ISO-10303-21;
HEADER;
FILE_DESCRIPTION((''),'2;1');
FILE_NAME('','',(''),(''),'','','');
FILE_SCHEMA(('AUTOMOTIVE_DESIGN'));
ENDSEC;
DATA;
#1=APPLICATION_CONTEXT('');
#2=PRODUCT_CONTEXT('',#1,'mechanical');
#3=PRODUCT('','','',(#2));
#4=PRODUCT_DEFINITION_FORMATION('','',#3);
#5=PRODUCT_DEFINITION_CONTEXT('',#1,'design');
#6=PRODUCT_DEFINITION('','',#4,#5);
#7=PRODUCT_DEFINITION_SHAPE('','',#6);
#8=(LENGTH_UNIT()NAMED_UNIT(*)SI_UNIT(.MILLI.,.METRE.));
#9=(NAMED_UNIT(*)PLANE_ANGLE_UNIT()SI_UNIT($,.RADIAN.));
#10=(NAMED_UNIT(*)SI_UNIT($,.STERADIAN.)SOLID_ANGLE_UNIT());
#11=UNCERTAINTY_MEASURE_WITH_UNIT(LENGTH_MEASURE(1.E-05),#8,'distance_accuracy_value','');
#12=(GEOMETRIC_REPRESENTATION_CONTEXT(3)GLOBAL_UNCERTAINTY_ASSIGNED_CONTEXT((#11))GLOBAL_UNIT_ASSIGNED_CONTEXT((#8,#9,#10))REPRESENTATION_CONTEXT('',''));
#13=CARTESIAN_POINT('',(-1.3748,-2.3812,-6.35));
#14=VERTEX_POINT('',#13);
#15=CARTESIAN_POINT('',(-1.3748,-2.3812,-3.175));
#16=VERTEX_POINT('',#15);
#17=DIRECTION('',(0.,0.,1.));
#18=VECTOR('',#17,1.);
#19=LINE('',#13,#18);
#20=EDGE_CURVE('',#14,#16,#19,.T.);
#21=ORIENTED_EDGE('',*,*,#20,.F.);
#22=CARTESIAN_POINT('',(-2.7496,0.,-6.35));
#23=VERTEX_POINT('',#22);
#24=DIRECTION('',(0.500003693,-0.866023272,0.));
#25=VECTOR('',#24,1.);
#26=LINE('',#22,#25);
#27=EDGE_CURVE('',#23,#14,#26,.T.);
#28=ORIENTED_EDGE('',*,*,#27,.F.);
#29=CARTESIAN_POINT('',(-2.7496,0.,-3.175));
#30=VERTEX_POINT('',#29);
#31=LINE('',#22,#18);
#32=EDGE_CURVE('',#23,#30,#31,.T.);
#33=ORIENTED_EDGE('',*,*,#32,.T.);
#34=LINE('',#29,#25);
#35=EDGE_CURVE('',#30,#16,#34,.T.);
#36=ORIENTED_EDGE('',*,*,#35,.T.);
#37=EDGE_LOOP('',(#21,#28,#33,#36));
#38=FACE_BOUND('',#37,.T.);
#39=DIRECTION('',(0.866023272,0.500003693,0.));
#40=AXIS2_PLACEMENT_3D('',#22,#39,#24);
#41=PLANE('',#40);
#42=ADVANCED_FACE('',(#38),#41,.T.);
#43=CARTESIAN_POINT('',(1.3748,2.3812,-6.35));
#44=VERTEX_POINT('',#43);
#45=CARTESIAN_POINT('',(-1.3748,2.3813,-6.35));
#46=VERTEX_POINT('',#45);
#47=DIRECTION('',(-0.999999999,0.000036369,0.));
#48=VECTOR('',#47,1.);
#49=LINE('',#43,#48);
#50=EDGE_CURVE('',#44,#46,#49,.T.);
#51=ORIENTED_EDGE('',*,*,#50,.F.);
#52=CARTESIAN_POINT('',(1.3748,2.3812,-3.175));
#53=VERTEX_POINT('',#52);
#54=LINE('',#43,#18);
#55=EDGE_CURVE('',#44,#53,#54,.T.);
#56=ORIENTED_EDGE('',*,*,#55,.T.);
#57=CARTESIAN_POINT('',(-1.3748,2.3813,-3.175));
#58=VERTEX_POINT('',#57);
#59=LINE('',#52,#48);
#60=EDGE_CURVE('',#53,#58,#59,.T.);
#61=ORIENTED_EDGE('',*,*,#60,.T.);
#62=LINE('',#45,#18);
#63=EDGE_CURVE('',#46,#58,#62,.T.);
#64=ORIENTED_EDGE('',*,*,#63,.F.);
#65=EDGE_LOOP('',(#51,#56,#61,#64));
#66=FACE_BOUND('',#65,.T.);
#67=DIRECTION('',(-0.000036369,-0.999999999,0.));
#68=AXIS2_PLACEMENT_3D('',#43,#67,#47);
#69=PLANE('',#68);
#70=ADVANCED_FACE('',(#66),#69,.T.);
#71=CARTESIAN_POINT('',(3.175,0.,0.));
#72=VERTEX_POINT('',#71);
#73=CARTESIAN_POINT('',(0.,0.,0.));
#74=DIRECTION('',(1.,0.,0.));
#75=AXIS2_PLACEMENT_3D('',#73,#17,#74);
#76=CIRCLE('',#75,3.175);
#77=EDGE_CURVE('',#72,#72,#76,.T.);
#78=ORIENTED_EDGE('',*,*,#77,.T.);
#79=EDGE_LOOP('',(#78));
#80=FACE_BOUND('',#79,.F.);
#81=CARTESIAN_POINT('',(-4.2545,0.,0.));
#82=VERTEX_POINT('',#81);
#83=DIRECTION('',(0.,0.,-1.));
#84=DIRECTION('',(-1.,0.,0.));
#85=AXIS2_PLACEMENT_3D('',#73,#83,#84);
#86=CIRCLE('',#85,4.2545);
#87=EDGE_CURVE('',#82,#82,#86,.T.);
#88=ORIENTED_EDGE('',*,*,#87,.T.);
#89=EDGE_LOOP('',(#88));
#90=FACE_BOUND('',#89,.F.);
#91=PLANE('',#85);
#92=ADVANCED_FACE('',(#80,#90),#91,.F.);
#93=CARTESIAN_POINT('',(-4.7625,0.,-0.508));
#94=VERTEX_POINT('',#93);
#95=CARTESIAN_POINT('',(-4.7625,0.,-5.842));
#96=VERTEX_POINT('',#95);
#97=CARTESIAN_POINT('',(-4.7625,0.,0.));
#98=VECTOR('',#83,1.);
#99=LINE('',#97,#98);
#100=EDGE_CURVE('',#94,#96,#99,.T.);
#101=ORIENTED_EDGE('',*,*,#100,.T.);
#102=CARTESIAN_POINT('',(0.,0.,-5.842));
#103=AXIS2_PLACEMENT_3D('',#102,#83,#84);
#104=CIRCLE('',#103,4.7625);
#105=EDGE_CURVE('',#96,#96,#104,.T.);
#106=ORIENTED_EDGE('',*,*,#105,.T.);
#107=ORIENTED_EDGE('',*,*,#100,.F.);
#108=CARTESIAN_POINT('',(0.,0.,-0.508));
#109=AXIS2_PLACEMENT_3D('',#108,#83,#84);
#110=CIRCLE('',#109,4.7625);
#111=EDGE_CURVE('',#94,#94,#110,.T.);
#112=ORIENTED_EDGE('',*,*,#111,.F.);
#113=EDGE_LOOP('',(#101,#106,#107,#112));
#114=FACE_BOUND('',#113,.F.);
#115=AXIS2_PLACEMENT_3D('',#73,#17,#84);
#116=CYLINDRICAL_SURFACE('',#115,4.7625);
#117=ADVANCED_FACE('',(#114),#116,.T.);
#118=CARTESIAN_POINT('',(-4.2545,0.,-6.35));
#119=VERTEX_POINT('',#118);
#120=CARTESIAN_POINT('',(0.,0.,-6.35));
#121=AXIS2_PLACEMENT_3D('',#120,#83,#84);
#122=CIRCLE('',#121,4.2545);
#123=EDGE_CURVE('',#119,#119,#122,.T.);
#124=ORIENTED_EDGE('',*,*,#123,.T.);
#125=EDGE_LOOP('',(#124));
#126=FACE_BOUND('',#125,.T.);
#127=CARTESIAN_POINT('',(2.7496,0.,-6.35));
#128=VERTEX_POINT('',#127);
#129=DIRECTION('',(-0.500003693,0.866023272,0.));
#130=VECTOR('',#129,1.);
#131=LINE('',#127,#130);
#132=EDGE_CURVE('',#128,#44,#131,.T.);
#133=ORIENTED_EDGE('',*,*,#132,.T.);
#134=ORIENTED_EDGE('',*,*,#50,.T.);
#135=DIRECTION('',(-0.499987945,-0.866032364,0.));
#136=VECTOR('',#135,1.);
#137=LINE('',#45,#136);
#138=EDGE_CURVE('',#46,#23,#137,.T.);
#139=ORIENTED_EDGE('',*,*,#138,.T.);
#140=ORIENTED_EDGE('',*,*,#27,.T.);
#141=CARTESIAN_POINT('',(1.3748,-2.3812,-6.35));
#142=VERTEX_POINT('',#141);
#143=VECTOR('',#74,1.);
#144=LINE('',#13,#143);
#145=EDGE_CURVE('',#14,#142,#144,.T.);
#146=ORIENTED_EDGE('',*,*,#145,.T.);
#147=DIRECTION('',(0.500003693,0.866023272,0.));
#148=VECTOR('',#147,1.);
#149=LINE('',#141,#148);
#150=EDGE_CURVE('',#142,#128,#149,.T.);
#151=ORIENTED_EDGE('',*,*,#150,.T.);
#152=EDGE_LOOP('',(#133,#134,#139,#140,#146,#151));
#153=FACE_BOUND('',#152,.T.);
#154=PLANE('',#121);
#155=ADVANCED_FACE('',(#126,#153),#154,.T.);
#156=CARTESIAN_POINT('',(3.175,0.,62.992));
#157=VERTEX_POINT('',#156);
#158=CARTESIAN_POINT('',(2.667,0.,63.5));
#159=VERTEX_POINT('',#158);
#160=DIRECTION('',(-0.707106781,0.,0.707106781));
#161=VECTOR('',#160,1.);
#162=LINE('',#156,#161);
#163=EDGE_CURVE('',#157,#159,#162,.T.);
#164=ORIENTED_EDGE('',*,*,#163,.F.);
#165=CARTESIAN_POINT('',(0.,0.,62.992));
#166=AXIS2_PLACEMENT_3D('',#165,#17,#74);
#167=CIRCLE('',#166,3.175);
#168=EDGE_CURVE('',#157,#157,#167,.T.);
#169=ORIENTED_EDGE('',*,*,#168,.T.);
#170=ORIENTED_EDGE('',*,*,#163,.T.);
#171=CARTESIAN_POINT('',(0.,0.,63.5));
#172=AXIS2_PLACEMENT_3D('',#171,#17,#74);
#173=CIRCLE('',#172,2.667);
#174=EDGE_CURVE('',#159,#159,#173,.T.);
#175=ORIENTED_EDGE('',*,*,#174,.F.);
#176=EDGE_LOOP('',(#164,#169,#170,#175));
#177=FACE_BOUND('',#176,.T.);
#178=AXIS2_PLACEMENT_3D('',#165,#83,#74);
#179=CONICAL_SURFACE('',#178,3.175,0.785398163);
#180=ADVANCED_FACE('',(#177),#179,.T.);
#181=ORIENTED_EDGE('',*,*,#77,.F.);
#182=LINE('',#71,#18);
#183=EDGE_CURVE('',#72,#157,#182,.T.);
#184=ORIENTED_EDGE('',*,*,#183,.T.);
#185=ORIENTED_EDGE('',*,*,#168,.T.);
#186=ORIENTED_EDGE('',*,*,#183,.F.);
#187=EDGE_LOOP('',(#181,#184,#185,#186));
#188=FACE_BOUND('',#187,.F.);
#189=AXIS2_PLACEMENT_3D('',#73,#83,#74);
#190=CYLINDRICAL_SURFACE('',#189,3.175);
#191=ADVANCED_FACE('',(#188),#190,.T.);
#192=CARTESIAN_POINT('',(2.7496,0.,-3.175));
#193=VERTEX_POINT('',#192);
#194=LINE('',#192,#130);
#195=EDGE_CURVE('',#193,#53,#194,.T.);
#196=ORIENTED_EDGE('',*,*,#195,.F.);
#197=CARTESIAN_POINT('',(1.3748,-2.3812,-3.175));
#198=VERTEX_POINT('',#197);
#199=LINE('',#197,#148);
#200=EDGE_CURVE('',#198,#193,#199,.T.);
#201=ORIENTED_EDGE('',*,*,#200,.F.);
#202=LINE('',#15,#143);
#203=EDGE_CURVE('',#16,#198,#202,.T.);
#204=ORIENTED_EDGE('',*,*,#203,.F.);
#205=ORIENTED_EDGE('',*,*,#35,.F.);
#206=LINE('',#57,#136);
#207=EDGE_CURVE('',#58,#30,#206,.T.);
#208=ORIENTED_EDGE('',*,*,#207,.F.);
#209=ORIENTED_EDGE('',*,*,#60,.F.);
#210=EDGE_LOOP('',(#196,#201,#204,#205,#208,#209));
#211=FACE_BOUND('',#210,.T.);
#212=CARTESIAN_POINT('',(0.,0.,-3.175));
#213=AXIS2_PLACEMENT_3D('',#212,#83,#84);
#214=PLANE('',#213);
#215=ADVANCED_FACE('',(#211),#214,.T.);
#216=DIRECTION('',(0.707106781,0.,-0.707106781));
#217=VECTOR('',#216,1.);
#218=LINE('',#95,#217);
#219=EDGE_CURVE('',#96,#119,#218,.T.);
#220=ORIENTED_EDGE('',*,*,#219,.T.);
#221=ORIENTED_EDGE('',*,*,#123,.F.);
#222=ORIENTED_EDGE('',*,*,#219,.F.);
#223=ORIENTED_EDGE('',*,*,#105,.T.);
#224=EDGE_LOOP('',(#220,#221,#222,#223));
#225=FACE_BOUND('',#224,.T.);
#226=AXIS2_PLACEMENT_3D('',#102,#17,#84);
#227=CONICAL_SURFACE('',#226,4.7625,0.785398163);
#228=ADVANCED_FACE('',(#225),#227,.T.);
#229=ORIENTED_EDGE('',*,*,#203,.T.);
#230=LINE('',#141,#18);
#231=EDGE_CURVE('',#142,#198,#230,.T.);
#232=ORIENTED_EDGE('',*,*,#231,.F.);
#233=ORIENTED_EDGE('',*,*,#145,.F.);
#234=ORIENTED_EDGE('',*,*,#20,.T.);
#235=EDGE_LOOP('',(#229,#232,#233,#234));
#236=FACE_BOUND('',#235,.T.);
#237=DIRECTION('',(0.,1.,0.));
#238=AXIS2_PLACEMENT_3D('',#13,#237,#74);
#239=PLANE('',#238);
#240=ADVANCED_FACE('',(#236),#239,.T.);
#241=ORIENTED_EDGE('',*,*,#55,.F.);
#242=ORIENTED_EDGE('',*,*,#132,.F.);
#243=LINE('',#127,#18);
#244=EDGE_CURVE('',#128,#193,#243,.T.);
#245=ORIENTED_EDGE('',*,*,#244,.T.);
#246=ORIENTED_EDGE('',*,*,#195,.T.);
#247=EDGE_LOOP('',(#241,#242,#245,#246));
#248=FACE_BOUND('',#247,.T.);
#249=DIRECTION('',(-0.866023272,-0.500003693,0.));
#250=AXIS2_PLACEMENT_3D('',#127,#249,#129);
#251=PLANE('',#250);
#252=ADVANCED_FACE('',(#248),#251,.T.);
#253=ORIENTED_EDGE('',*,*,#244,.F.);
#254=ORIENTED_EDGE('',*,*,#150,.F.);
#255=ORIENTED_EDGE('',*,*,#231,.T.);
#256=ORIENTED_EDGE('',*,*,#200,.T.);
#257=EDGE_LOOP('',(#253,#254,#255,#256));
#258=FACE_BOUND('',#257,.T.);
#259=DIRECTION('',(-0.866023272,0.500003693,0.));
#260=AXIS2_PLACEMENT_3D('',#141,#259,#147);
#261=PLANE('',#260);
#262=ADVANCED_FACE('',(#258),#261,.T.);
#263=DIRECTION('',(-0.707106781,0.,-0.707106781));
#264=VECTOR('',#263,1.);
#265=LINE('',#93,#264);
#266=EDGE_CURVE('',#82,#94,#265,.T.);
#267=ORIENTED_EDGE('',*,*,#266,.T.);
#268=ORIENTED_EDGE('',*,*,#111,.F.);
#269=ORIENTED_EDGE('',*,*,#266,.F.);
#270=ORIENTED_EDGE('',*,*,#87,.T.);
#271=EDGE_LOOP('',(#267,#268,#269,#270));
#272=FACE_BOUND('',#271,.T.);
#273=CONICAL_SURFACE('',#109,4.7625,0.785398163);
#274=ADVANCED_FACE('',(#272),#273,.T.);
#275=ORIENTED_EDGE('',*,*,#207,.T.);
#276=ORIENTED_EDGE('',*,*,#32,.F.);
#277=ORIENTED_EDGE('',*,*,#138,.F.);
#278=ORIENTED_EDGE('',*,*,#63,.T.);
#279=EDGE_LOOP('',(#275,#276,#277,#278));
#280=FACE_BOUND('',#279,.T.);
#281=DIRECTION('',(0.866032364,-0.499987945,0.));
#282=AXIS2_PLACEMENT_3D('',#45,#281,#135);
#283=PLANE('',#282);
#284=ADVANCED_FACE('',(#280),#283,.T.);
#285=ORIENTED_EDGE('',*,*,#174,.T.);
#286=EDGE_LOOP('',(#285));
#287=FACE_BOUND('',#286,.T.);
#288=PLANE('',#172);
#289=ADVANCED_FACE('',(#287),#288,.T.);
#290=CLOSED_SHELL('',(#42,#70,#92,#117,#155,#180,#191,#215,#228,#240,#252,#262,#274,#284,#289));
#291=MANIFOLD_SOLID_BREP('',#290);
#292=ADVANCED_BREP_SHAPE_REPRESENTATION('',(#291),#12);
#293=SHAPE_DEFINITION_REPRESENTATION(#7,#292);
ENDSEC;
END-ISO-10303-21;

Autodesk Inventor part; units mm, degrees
ref_plane "YZ Plane" through (0, 0, 0) normal (1, 0, 0) x (0, 1, 0)
ref_plane "XZ Plane" through (0, 0, 0) normal (0, 1, 0) x (-1, 0, 0)
ref_plane "XY Plane" through (0, 0, 0) normal (0, 0, 1) x (1, 0, 0)
sketch "Sketch1" plane through (0, 0, 0) normal (0, 0, 1) x (1, 0, 0)
  circle A0 centre (0, 0) radius 3.175
  dimension "d0" = 6.35
extrude "Extrusion1" add sketch "Sketch1" along normal blind 63.5
sketch "Sketch2" plane through (0, 0, 0) normal (0, 0, -1) x (-1, 0, 0)
  circle A0 centre (0, 0) radius 3.175 projected
  circle A1 centre (0, 0) radius 4.7625
  dimension "d3" = 9.525
extrude "Extrusion2" add sketch "Sketch2" along normal blind 6.35 contours A0 | A1
sketch "Sketch3" plane through (0, 0, -6.35) normal (0, 0, -1) x (-1, 0, 0)
  circle A0 centre (0, 0) radius 4.7625 projected
  line L0 (-1.3748, 2.3812) -> (1.3748, 2.3813)
  line L1 (1.3748, 2.3813) -> (2.7496, 0)
  line L2 (2.7496, 0) -> (1.3748, -2.3812)
  line L3 (1.3748, -2.3812) -> (-1.3748, -2.3812)
  line L4 (-1.3748, -2.3812) -> (-2.7496, 0)
  line L5 (-2.7496, 0) -> (-1.3748, 2.3812)
  dimension "d6" = 4.7625
extrude "Extrusion3" cut sketch "Sketch3" against normal blind 3.175 contours L0 L1 L2 L3 L4 L5
chamfer "Chamfer1" distance 0.508 angle 45 3 edges at (-3.175, 0, 63.5) (4.7625, 0, 0) (4.7625, 0, -6.35)
thread "Thread1" size "1/4-20 UNC" class "2A" standard "ANSI Unified Screw Threads" length 25.4
properties part number "14-20 x2500" material "Steel"
